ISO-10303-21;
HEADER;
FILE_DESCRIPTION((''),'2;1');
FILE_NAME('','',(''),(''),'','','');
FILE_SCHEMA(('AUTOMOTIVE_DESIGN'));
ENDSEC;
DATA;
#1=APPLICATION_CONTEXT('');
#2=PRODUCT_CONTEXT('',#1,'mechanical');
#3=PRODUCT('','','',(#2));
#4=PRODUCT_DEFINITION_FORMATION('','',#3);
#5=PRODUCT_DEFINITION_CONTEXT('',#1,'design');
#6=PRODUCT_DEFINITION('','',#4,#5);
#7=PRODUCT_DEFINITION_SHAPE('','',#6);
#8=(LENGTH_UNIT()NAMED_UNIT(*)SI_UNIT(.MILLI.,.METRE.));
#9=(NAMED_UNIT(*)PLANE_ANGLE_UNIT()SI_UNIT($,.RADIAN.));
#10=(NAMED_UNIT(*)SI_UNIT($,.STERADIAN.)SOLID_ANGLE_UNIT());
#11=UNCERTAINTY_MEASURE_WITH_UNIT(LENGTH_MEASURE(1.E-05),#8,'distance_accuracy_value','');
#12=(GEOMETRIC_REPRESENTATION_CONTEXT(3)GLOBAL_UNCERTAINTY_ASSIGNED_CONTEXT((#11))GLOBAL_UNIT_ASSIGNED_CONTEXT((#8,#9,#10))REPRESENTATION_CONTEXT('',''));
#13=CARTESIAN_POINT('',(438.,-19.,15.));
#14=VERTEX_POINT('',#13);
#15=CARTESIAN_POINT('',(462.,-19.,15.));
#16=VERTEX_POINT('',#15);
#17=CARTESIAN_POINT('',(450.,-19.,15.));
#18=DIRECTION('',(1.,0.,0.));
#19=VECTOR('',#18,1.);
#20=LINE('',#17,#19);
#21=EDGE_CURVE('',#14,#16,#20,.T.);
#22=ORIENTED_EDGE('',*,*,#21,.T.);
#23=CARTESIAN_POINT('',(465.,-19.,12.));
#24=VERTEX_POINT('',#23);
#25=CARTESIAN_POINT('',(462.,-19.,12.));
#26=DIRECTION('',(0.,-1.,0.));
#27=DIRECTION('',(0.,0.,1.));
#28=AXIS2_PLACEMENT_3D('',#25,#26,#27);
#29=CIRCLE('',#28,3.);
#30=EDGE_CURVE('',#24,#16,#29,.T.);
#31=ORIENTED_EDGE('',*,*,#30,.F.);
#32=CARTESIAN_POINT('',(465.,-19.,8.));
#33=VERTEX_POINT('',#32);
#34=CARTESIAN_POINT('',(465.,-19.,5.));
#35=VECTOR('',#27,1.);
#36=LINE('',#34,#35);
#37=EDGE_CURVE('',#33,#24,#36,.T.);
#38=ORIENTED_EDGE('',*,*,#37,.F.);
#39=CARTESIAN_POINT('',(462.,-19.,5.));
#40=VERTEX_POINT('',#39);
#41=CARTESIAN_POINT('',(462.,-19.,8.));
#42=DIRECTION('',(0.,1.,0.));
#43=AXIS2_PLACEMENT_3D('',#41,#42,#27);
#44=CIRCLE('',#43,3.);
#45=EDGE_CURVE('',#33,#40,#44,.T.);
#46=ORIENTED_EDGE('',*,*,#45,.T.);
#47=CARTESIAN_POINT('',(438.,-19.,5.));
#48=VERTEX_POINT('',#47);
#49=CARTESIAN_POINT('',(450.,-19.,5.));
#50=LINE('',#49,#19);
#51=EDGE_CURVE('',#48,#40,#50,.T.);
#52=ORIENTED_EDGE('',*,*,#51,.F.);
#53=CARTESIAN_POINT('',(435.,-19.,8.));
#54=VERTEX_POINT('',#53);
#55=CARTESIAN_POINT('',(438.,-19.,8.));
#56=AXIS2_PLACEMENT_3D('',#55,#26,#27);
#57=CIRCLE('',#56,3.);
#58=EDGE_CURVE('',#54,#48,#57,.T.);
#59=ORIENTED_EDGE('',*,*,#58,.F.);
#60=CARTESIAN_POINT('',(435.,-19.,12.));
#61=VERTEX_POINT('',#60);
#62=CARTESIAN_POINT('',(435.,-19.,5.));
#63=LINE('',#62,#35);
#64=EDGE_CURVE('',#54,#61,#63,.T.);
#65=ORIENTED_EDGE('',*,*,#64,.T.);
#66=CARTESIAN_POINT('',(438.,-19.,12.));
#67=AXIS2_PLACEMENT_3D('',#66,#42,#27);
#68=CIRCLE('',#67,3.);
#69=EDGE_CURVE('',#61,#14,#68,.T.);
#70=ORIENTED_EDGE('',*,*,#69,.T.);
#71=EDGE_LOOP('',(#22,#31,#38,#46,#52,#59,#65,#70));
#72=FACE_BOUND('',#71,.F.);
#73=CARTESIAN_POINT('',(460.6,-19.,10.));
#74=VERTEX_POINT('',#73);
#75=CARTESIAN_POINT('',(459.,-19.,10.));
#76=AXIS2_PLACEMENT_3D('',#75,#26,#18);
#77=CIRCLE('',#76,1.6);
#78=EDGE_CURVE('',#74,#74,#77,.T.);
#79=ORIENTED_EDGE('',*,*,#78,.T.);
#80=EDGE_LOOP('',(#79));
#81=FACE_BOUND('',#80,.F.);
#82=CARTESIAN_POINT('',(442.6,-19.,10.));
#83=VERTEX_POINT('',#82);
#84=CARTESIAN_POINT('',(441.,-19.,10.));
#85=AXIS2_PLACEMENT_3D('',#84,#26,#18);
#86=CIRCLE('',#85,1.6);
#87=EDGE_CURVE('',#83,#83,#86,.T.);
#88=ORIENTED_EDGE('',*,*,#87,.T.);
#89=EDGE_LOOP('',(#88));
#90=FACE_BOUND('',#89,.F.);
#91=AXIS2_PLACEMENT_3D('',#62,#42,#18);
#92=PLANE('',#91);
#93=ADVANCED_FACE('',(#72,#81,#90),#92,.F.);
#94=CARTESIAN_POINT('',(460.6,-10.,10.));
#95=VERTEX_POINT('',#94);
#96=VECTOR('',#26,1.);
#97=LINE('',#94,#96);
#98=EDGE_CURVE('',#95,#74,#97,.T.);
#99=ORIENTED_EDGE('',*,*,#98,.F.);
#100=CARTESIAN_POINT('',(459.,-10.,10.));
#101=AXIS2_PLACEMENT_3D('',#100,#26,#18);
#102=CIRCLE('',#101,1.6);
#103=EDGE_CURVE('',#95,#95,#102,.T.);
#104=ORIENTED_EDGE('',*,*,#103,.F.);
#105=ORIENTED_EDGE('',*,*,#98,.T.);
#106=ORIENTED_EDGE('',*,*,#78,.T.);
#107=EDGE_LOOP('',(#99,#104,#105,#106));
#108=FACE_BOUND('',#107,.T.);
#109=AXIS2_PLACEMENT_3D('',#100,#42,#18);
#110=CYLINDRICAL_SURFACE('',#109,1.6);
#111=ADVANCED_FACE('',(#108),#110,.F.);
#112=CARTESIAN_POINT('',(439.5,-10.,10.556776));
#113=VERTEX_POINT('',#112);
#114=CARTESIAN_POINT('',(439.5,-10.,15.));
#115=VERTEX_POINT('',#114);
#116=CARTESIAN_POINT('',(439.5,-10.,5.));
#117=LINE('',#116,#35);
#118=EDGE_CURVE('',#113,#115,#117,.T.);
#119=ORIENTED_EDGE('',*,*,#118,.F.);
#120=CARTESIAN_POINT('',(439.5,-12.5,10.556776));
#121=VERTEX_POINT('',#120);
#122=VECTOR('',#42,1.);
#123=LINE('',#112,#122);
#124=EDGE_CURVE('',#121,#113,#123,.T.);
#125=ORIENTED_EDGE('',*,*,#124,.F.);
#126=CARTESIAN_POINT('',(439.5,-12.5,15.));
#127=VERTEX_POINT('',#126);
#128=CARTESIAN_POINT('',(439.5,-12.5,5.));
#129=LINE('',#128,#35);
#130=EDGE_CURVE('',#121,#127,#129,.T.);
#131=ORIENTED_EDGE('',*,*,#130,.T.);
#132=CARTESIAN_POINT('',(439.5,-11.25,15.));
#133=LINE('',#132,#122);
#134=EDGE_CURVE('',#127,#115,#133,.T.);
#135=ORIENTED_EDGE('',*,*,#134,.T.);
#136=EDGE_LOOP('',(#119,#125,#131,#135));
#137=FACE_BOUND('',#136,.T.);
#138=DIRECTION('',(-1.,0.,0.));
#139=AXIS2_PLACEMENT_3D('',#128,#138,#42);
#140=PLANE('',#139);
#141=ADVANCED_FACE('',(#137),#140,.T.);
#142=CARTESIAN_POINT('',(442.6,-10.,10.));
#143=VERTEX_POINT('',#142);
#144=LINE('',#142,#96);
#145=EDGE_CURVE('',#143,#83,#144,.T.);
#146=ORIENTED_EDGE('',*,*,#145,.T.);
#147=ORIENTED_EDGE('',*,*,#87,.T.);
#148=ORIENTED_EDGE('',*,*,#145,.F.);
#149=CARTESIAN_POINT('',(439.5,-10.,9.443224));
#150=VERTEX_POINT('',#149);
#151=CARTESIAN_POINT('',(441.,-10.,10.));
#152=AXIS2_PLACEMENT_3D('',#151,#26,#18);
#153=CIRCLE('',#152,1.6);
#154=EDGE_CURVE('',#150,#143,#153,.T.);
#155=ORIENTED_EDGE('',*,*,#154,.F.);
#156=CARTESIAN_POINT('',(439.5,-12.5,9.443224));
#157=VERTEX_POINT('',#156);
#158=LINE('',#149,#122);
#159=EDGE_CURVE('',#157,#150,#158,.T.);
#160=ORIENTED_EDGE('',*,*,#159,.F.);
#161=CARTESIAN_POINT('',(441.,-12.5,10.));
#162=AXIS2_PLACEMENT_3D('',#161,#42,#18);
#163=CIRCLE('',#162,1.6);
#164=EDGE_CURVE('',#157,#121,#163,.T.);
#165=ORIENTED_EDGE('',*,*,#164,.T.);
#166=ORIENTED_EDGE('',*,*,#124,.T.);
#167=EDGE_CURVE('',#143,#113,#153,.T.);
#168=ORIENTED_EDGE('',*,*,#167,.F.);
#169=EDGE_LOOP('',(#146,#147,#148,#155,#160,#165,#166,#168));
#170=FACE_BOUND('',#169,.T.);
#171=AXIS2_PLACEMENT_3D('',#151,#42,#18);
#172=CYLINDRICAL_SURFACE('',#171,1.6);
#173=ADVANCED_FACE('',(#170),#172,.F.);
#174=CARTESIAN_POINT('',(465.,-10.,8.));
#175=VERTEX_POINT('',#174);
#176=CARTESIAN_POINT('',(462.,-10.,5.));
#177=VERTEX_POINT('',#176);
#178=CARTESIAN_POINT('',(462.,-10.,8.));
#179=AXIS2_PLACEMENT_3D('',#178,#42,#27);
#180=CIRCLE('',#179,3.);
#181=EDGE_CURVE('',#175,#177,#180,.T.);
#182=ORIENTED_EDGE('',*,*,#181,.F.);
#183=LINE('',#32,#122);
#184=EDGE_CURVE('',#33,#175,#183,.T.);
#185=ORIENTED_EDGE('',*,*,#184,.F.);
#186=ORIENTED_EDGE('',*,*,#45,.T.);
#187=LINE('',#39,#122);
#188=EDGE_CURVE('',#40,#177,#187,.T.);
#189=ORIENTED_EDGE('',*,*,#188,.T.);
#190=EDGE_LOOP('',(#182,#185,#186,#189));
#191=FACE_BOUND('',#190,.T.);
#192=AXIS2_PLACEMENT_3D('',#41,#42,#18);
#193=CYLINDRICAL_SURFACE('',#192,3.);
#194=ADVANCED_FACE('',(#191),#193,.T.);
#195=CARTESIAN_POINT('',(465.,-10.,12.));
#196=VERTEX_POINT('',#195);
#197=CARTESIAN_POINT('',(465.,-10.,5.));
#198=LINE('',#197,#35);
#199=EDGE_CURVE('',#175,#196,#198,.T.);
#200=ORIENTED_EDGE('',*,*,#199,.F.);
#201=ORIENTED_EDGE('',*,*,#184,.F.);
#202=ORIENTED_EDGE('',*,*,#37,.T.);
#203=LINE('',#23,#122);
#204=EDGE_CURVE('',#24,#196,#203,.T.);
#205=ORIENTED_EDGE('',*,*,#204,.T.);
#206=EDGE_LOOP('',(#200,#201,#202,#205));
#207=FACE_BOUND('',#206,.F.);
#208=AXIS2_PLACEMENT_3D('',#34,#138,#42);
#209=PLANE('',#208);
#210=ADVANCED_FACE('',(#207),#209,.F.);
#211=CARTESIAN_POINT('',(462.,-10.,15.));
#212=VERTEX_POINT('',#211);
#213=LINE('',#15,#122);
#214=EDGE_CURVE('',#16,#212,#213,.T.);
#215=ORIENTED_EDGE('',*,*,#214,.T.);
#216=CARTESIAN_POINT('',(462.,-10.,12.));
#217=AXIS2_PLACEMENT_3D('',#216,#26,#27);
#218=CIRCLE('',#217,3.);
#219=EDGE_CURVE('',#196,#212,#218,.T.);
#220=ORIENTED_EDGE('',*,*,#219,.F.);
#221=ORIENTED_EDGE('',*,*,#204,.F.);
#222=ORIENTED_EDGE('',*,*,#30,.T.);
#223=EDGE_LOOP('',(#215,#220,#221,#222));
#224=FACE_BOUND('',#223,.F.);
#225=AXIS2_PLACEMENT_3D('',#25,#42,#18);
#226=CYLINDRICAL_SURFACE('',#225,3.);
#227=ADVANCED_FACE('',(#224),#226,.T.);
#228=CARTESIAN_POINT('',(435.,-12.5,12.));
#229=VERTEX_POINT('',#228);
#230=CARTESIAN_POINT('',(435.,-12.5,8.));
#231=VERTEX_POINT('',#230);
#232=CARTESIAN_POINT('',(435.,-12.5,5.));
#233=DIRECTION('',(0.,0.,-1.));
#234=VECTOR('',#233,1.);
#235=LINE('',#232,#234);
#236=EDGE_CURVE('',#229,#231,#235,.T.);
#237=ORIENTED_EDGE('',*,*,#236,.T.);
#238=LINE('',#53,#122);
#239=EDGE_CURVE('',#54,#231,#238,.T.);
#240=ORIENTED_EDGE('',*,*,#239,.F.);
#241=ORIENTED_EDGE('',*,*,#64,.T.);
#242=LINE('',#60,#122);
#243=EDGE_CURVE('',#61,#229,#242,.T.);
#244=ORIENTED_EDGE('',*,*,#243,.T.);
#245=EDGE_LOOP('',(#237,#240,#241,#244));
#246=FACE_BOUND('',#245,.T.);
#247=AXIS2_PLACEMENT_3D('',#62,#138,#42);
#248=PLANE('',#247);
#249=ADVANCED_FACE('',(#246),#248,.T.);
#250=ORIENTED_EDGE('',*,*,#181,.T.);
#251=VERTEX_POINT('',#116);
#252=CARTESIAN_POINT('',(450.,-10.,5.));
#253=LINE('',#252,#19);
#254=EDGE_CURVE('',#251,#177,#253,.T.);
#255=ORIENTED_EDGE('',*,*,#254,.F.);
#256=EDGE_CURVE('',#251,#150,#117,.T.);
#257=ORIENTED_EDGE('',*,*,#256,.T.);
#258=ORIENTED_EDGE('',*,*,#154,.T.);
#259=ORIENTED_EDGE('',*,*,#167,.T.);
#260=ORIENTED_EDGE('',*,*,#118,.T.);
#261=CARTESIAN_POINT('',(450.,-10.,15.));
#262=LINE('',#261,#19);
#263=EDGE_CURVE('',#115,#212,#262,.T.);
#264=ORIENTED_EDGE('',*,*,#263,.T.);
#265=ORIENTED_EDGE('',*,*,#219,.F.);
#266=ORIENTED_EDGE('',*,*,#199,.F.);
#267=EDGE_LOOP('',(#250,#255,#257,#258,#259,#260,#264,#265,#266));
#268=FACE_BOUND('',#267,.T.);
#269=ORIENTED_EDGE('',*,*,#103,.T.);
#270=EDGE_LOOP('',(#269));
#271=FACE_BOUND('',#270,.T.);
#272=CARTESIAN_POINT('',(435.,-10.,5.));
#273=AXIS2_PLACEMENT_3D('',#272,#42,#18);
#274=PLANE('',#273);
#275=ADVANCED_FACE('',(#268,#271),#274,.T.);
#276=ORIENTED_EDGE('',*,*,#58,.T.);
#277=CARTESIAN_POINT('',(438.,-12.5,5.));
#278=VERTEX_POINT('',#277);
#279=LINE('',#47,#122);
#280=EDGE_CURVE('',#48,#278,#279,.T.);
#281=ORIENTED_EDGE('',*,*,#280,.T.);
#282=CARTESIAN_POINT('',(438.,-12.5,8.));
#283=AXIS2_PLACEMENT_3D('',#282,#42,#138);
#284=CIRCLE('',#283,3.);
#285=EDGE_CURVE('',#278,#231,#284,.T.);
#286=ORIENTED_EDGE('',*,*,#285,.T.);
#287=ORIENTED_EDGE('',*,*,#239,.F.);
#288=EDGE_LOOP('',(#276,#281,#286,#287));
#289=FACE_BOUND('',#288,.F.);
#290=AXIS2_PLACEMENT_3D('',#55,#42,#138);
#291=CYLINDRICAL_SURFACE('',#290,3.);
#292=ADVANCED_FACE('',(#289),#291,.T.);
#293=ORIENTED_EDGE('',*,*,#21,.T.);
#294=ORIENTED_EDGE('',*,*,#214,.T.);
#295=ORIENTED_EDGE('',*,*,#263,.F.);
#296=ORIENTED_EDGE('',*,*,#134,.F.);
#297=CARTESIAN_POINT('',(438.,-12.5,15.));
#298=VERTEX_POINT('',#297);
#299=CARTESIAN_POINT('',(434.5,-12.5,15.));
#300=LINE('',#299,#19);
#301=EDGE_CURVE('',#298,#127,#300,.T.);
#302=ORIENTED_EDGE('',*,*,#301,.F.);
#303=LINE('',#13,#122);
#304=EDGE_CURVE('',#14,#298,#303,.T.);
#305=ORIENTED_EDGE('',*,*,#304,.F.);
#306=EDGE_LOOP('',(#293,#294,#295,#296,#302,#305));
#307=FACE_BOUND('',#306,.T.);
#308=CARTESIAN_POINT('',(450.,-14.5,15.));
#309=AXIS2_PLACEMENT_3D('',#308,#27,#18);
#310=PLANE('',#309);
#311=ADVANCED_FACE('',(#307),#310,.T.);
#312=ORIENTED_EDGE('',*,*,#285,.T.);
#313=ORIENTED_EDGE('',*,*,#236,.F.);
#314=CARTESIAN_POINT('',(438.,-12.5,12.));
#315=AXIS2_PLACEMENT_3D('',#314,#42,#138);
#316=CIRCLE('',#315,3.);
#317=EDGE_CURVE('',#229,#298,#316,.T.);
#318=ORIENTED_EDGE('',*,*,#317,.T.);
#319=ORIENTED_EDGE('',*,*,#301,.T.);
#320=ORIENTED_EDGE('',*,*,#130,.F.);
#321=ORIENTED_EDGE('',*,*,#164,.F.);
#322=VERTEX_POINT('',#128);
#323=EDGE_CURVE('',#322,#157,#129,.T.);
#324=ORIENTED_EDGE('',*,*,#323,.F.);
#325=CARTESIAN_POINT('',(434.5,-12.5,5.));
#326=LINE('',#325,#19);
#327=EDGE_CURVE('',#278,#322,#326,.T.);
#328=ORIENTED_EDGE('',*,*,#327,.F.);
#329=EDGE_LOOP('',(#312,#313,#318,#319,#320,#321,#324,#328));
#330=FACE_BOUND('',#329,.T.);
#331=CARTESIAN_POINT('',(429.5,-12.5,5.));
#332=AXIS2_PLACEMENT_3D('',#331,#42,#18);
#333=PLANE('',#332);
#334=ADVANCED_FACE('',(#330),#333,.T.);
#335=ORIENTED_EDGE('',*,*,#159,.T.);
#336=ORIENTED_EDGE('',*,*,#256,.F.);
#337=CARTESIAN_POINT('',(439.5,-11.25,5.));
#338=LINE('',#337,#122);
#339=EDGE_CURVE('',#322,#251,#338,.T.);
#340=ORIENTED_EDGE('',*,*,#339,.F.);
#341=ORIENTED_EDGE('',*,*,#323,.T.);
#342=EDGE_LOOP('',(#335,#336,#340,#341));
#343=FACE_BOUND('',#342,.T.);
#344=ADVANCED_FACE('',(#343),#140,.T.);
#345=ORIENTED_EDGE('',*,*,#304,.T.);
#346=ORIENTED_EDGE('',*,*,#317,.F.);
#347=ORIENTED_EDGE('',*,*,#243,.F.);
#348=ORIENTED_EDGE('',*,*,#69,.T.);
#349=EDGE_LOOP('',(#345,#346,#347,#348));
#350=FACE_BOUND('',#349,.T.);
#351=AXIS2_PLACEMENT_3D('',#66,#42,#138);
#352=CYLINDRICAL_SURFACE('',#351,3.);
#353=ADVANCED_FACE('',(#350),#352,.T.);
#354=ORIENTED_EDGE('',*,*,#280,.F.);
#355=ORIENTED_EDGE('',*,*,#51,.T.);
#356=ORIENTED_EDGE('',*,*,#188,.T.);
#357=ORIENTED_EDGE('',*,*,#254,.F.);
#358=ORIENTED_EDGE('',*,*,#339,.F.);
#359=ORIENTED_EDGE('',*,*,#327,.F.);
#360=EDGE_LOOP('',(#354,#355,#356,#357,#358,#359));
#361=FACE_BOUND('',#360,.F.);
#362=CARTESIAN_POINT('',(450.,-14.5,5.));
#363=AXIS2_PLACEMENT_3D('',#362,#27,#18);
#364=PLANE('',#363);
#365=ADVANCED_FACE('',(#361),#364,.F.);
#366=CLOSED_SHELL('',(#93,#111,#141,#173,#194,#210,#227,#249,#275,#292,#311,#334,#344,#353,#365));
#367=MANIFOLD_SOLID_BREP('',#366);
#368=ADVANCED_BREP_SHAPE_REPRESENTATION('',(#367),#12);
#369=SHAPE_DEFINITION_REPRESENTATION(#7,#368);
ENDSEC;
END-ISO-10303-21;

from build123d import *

# Parameters (mm, degrees)
BOX323_W          = 10
BOX323_H          = 2.5
BOX323_DEPTH      = 10
CYLINDER152_R     = 1.6
CYLINDER152_DEPTH = 9
CYLINDER153_R     = 1.6
CYLINDER153_DEPTH = 9
CYLINDER154_R     = 1.6
CYLINDER154_DEPTH = 9
CYLINDER155_R     = 1.6
CYLINDER155_DEPTH = 9
BOX071_W          = 30
BOX071_H          = 9
BOX071_DEPTH      = 10
FILLET034_R       = 3


with BuildPart() as cube394:
    # Box323 → Box323 (new body)
    with BuildSketch(Plane(origin=(429.5, -12.5, 5), x_dir=(1, 0, 0), z_dir=(0, 0, 1))):
        with Locations((5, 1.25)):
            Rectangle(BOX323_W, BOX323_H)
    extrude(amount=BOX323_DEPTH)


with BuildPart() as cylinder152:
    # Cylinder152 → Cylinder152 (new body)
    with BuildSketch(Plane(origin=(555, -5, 10), x_dir=(1, 0, 0), z_dir=(0, -1, 0))):
        Circle(CYLINDER152_R)
    extrude(amount=CYLINDER152_DEPTH)


with BuildPart() as fusion125:
    # Cylinder153 → Cylinder153 (new body)
    with BuildSketch(Plane(origin=(450, -5, 10), x_dir=(1, 0, 0), z_dir=(0, -1, 0))):
        Circle(CYLINDER153_R)
    extrude(amount=CYLINDER153_DEPTH)

    # Fusion125: union Cylinder152
    add(cylinder152.part)


with BuildPart() as fusion125_1:
    # Fusion125 placement: moved
    add(fusion125.part.moved(Location((-9, 5, 0))))


with BuildPart() as cylinder154:
    # Cylinder154 → Cylinder154 (new body)
    with BuildSketch(Plane(origin=(555, -5, 10), x_dir=(1, 0, 0), z_dir=(0, -1, 0))):
        Circle(CYLINDER154_R)
    extrude(amount=CYLINDER154_DEPTH)


with BuildPart() as fusion135:
    # Cylinder155 → Cylinder155 (new body)
    with BuildSketch(Plane(origin=(450, -5, 10), x_dir=(1, 0, 0), z_dir=(0, -1, 0))):
        Circle(CYLINDER155_R)
    extrude(amount=CYLINDER155_DEPTH)

    # Fusion132: union Cylinder154
    add(cylinder154.part)


with BuildPart() as fusion135_1:
    # Fusion132 placement: moved
    add(fusion135.part.moved(Location((9, 5, 0))))

    # Fusion135: union Fusion125
    add(fusion125_1.part)


with BuildPart() as fender_spacer_front_left:
    # Box071 → Box071 (new body)
    with BuildSketch(Plane(origin=(435, -9, 5), x_dir=(1, 0, 0), z_dir=(0, 0, 1))):
        with Locations((15, 4.5)):
            Rectangle(BOX071_W, BOX071_H)
    extrude(amount=BOX071_DEPTH)

    # Fillet034
    fillet034_edges = [fender_spacer_front_left.edges().sort_by_distance(p)[0] for p in [
        (435, -4.5, 15),
        (435, -4.5, 5),
        (465, -4.5, 15),
        (465, -4.5, 5),
    ]]
    fillet(fillet034_edges, radius=FILLET034_R)

    # Cut083: cut Fusion135
    add(fusion135_1.part, mode=Mode.SUBTRACT)


with BuildPart() as fender_spacer_front_left_1:
    # Cut083 placement: moved
    add(fender_spacer_front_left.part.moved(Location((0, -10, 0))))

    # Cut322: cut Cube394
    add(cube394.part, mode=Mode.SUBTRACT)


solid = fender_spacer_front_left_1.part
